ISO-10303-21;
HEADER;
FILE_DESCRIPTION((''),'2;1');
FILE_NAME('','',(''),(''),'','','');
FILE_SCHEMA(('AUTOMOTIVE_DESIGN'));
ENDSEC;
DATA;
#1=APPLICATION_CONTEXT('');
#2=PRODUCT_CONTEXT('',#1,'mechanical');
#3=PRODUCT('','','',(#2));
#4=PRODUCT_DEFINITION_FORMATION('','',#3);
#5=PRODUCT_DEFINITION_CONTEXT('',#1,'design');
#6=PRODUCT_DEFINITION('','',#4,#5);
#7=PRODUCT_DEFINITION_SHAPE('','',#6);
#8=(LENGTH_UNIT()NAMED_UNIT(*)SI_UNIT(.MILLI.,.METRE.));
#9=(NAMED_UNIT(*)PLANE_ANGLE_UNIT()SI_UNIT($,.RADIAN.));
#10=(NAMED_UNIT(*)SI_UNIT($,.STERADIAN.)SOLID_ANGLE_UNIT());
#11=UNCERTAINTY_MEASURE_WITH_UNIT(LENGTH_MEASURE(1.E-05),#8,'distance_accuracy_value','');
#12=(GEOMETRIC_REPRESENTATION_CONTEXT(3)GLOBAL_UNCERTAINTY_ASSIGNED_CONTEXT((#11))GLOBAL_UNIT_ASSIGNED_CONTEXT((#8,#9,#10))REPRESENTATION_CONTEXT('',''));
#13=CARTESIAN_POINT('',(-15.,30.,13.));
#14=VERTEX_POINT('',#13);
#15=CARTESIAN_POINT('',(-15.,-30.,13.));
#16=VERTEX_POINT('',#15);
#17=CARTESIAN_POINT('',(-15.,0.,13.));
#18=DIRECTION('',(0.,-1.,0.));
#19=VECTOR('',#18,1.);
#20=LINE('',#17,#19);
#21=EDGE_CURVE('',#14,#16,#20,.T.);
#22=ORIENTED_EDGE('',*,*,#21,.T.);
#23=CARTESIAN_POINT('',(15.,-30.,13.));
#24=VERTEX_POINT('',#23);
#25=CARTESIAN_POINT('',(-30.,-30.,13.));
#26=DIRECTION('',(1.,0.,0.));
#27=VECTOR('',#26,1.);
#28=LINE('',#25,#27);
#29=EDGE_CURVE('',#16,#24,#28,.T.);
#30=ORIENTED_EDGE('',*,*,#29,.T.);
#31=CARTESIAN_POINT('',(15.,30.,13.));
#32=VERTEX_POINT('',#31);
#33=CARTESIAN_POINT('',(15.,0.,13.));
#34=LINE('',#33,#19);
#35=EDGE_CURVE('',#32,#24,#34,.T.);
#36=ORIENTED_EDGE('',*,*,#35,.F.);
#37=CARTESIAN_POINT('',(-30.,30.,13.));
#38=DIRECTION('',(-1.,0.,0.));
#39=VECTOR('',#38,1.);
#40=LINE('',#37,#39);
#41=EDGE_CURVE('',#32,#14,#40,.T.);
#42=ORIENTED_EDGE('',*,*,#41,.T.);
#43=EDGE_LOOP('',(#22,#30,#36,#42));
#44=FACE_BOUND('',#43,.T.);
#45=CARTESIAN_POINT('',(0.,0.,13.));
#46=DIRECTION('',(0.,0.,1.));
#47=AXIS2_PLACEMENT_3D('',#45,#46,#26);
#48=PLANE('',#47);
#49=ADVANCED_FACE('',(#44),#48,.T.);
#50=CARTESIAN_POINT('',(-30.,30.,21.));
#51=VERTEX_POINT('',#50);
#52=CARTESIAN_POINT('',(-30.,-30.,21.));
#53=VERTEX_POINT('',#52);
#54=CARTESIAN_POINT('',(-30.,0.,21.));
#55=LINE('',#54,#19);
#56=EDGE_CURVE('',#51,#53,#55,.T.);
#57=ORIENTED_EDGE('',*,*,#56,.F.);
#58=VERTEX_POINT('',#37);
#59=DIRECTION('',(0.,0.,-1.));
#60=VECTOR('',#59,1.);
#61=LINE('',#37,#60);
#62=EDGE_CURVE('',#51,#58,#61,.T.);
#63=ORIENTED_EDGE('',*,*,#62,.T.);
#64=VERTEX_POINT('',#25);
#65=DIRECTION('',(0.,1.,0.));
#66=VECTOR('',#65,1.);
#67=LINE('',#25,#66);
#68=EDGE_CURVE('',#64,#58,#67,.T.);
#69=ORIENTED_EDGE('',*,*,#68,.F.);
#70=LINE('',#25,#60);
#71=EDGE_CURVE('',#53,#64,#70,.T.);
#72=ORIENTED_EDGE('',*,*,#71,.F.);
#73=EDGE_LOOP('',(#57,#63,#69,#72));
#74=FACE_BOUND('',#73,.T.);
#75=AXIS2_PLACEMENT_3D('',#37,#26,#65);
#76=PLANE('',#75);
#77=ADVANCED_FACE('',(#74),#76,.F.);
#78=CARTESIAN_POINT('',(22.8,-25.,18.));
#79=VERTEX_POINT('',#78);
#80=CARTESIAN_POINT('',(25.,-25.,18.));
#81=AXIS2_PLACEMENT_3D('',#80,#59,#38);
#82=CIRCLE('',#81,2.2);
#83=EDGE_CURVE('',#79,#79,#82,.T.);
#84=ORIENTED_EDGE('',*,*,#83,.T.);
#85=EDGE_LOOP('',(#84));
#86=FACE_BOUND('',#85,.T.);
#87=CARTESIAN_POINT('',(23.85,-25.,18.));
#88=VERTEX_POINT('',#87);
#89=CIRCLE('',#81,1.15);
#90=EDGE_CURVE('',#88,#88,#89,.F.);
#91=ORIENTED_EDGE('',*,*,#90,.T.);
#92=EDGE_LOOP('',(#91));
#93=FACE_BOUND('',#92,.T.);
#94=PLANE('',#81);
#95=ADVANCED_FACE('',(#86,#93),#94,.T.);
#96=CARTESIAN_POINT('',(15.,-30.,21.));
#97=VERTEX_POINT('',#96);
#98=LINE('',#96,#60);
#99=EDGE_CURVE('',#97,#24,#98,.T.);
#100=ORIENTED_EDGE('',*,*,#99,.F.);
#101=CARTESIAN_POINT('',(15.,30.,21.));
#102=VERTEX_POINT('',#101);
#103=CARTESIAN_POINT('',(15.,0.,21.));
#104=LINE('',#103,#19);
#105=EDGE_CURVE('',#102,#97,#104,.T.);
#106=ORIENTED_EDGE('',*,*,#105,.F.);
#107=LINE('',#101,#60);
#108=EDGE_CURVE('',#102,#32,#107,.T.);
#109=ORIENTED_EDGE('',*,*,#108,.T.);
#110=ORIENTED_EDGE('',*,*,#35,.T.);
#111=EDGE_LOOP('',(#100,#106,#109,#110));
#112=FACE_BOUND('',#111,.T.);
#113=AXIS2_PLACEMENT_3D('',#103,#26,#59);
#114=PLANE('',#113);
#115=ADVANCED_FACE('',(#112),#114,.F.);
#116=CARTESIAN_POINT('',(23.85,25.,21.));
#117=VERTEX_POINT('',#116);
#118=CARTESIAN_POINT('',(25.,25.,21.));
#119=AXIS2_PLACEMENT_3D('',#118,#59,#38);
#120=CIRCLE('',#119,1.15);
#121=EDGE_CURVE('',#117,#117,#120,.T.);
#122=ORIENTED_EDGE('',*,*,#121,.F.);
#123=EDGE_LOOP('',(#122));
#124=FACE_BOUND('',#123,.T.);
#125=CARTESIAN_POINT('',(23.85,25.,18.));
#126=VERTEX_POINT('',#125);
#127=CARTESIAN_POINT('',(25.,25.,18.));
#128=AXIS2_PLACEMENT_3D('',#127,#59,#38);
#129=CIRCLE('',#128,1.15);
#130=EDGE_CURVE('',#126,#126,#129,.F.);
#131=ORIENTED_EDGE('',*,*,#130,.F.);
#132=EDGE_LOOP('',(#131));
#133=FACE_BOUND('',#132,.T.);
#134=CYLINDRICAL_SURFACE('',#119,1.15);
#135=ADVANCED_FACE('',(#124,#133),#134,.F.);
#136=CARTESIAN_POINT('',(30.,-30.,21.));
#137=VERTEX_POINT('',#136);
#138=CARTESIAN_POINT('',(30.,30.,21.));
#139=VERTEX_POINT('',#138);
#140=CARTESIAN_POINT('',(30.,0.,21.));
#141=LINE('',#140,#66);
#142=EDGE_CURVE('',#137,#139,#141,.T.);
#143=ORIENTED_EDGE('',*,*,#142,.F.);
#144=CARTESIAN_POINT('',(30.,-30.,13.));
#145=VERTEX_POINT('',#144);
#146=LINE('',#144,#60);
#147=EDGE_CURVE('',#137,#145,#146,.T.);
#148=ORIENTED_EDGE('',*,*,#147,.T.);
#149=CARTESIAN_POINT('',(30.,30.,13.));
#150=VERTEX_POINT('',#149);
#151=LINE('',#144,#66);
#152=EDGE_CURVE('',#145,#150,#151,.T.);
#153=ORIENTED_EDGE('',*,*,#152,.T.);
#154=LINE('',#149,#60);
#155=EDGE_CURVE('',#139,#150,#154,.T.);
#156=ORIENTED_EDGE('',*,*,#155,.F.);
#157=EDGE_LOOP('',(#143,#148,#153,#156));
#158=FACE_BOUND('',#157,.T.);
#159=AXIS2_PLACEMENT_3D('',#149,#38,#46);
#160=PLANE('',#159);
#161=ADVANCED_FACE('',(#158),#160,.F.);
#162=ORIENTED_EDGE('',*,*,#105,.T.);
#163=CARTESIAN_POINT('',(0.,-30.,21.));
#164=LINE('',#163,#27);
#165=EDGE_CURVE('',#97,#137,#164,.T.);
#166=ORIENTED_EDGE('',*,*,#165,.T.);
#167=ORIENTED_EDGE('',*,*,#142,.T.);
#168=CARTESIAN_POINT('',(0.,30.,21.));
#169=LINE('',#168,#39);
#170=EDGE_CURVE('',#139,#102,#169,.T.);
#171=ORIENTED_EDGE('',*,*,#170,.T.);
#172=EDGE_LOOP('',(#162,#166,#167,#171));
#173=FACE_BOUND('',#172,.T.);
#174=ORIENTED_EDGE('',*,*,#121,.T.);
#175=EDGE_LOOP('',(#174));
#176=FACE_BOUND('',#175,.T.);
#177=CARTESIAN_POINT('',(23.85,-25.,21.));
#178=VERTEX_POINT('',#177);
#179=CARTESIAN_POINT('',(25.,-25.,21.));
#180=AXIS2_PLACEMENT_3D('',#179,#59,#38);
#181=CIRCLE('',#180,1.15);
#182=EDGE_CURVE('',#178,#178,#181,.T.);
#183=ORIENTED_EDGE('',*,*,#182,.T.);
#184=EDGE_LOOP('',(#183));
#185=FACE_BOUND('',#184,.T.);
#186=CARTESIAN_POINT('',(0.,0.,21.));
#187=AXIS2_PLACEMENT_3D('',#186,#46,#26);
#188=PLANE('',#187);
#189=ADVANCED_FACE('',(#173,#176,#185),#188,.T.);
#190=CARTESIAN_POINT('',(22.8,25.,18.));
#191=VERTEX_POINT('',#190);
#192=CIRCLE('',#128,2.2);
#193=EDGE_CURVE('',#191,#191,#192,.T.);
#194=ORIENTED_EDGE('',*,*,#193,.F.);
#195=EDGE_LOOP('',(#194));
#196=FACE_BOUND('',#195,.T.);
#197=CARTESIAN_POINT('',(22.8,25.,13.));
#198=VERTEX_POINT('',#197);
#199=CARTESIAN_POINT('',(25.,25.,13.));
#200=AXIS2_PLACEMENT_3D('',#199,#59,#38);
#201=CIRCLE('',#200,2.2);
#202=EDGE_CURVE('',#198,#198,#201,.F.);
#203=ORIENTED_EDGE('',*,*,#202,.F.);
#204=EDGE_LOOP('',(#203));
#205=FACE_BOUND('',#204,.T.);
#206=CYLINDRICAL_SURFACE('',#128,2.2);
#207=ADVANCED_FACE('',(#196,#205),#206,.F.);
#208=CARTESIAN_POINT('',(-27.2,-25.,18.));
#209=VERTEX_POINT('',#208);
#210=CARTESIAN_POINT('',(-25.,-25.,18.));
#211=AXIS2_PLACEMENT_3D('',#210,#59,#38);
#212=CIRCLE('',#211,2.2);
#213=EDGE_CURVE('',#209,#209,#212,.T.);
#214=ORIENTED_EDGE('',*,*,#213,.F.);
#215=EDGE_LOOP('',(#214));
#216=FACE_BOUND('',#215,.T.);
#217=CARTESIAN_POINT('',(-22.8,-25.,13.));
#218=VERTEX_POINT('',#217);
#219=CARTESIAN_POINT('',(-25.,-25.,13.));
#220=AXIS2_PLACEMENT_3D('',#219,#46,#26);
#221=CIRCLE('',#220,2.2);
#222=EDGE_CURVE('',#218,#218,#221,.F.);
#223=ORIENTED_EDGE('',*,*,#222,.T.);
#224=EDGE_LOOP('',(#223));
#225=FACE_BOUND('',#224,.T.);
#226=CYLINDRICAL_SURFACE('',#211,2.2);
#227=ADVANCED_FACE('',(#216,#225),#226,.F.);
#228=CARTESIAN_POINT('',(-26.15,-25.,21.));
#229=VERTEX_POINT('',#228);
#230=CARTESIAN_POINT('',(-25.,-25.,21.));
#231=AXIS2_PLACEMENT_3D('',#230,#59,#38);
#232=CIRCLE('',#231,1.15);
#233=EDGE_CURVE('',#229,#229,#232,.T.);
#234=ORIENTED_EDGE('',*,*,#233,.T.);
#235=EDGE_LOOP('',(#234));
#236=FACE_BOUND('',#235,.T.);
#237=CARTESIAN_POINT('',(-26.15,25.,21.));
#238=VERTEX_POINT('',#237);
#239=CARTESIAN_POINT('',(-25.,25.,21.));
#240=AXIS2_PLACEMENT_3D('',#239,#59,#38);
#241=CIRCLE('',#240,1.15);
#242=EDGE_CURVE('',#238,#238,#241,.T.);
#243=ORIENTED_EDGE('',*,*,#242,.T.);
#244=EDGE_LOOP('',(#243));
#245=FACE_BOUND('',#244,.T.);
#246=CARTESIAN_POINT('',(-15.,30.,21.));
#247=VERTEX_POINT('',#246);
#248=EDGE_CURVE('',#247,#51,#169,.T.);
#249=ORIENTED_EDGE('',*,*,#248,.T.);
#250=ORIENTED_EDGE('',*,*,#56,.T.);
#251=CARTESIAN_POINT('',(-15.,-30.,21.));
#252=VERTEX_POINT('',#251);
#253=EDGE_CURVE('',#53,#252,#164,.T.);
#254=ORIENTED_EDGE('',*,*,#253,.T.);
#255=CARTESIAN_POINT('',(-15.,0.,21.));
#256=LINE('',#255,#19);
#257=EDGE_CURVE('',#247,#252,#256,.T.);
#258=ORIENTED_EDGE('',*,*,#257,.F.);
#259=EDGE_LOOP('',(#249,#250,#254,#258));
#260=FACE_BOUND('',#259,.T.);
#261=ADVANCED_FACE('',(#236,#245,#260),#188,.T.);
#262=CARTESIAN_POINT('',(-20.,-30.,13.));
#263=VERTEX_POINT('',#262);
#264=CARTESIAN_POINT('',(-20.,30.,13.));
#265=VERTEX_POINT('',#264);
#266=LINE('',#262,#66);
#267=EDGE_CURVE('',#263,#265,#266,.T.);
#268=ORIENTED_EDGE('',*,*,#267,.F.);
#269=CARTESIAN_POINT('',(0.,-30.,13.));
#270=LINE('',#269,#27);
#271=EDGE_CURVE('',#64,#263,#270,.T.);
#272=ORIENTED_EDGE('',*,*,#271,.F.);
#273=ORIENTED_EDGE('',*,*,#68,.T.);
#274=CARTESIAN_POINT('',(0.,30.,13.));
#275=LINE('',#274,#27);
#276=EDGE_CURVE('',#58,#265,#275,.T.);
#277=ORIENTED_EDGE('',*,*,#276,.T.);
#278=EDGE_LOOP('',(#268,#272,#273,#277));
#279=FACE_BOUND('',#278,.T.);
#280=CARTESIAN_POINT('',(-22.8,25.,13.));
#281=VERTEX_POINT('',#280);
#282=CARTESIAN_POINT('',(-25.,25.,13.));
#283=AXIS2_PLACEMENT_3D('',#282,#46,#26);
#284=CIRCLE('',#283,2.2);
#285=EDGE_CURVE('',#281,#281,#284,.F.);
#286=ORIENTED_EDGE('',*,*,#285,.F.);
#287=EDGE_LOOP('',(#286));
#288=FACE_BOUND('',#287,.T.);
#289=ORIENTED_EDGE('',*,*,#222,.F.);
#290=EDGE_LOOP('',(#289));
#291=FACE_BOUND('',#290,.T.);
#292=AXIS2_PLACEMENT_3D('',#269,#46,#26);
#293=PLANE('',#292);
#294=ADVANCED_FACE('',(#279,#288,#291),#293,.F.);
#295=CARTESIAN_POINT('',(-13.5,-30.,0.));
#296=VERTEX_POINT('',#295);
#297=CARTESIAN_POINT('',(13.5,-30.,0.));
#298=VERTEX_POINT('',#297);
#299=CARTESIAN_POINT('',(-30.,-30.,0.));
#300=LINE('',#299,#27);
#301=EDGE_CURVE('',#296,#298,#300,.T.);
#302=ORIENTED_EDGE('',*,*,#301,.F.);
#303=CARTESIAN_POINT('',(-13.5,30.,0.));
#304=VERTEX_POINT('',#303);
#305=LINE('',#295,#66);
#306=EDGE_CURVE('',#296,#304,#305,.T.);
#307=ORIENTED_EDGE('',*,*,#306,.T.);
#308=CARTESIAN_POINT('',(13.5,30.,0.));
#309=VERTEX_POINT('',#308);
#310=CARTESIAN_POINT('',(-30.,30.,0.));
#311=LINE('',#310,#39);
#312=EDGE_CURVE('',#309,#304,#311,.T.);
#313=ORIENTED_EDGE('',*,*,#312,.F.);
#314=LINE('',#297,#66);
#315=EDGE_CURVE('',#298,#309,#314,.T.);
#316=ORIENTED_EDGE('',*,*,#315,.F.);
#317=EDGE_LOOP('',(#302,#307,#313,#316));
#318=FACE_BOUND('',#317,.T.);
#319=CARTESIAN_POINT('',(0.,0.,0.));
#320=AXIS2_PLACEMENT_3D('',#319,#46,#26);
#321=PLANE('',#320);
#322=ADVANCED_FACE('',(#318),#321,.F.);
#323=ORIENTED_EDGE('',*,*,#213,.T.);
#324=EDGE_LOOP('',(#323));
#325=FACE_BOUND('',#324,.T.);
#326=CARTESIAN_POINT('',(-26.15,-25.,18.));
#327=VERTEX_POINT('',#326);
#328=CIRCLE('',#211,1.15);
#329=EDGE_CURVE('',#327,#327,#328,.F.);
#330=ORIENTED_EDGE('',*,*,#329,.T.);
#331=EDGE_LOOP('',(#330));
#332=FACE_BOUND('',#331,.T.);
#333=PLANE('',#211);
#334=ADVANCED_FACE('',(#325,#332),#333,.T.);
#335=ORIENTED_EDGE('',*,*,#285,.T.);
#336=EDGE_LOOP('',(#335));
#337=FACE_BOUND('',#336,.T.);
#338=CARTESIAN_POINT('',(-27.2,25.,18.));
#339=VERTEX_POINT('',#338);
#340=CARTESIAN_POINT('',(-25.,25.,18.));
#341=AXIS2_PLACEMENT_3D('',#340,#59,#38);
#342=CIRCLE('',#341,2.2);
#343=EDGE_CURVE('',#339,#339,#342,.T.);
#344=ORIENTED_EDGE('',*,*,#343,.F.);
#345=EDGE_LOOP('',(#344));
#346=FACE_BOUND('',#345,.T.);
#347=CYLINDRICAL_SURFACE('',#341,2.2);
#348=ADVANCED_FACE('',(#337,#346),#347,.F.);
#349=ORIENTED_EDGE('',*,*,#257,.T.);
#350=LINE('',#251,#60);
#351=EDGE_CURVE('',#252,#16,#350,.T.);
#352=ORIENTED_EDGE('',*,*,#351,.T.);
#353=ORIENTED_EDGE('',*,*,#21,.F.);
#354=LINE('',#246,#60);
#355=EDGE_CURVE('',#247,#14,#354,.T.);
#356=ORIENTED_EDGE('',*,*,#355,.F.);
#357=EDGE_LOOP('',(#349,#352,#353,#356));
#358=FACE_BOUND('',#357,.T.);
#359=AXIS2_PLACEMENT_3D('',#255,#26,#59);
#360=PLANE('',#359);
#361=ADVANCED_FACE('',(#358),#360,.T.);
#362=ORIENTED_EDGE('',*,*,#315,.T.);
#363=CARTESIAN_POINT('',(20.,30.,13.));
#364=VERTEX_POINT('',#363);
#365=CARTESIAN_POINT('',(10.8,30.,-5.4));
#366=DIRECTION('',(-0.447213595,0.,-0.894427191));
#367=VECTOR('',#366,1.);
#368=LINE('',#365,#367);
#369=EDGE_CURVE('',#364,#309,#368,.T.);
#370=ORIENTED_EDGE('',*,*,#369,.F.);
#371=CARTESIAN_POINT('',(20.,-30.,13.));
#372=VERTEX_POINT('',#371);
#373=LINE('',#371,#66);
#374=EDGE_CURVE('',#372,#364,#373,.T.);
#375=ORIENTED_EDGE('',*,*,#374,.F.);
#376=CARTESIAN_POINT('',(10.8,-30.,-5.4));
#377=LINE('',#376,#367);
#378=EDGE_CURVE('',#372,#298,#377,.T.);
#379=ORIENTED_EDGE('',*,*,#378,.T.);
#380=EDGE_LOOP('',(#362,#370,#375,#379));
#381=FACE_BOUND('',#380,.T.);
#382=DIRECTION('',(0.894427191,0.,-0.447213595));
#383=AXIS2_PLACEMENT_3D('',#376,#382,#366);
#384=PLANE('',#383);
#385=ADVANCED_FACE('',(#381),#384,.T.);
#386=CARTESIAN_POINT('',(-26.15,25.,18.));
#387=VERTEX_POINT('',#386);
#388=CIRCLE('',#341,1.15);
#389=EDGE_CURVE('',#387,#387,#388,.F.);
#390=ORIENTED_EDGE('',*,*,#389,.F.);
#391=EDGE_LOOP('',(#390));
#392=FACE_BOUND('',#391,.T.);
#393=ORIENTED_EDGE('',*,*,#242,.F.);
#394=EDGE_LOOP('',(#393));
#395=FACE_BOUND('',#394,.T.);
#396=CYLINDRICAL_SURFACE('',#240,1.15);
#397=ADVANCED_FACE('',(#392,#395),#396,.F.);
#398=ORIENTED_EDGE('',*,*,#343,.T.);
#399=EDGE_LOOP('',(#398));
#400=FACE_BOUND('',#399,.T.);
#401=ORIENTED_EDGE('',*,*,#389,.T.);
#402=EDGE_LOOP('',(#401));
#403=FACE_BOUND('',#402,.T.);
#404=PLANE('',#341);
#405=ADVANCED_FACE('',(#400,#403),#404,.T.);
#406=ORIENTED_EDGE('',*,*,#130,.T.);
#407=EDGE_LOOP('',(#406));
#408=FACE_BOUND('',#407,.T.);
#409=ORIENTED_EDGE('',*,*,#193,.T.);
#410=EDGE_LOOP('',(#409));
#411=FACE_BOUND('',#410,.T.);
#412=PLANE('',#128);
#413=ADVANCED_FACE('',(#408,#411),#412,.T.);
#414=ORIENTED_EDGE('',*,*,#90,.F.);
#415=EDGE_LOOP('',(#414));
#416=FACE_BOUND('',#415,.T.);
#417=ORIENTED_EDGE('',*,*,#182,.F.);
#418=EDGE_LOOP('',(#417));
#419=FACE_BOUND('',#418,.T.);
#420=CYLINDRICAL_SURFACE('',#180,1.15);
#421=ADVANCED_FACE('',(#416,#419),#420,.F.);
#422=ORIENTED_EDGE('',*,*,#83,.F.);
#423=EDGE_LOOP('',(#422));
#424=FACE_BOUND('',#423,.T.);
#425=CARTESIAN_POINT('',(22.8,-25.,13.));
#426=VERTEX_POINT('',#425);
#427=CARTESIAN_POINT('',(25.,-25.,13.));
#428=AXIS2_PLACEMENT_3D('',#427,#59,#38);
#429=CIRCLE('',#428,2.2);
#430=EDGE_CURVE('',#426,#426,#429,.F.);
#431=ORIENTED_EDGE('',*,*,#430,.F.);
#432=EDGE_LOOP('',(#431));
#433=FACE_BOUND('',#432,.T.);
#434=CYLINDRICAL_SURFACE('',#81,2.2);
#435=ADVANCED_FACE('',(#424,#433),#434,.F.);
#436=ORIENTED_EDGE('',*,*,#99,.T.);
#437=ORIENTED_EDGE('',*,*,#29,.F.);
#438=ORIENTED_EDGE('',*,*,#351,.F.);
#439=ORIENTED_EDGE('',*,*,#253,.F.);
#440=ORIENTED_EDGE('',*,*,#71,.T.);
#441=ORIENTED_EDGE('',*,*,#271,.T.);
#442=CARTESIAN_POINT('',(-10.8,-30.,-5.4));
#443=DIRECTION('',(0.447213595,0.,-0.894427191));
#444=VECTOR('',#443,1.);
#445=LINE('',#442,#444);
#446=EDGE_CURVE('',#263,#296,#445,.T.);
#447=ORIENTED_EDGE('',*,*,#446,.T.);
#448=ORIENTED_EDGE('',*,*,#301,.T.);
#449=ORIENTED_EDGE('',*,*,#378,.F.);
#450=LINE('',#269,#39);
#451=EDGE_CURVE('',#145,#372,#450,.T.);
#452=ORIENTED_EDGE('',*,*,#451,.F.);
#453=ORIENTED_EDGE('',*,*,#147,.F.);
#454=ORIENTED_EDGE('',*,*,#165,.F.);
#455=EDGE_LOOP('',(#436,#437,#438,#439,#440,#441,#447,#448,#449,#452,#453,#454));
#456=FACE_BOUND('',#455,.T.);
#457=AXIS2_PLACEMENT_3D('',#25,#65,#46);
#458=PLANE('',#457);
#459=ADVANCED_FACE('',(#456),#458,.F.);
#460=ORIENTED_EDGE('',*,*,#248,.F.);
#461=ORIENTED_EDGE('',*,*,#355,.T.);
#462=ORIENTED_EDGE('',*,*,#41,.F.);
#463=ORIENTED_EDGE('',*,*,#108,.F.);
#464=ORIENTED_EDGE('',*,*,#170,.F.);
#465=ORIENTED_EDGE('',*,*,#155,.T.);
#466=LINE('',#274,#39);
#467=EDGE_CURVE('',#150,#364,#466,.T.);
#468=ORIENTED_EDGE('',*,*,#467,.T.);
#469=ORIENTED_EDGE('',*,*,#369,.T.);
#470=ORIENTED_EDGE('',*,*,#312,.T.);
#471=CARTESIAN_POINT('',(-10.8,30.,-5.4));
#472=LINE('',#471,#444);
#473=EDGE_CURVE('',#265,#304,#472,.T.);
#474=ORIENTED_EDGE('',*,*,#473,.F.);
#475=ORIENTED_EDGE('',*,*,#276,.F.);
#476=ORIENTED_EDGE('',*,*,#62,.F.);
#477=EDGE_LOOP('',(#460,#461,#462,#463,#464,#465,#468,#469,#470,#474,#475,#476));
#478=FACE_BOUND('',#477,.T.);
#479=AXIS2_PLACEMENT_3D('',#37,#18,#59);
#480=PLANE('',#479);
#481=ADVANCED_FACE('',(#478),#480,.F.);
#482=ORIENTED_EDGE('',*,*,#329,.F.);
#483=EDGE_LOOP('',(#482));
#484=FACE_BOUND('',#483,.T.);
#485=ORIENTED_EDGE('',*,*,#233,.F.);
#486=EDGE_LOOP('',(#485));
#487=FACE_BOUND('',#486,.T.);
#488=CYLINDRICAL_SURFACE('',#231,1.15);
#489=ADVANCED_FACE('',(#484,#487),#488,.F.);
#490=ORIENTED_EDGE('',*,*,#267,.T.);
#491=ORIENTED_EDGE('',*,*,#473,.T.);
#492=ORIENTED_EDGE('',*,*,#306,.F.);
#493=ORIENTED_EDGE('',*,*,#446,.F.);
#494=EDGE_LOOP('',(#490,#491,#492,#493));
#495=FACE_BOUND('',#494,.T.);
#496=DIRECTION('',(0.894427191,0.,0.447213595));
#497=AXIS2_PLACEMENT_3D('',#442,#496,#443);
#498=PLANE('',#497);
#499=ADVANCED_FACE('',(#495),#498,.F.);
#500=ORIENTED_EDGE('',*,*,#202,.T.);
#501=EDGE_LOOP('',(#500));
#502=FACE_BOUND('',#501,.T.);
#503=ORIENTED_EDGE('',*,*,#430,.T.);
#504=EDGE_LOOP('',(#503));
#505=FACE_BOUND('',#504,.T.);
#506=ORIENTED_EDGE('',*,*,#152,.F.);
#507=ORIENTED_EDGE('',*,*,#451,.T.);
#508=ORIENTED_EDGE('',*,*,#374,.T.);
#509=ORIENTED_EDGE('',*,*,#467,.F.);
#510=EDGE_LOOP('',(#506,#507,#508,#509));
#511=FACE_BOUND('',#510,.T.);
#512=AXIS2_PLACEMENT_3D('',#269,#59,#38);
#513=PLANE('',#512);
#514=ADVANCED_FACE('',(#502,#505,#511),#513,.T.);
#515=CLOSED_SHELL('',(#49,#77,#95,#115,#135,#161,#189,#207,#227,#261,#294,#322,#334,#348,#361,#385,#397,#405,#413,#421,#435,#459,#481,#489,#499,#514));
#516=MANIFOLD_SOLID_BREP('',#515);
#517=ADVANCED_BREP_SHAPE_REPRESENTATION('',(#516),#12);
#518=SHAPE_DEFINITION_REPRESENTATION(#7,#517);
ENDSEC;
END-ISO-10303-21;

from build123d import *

# Parameters (mm, degrees)
SKETCH1_W           = 60
SKETCH1_H           = 60
BOSS_EXTRUDE1_DEPTH = 13
SKETCH2_W           = 15
SKETCH2_H           = 60
BOSS_EXTRUDE2_DEPTH = 8
SKETCH3_R           = 1.15
CUT_EXTRUDE1_DEPTH  = 48.339201514
SKETCH4_R           = 2.2
CUT_EXTRUDE2_DEPTH  = 18
CUT_EXTRUDE4_DEPTH  = 71.292247083


with BuildPart() as part:
    # Sketch1 → Boss-Extrude1 (new body)
    with BuildSketch(Plane.XY):
        Rectangle(SKETCH1_W, SKETCH1_H)
    extrude(amount=BOSS_EXTRUDE1_DEPTH)

    # Sketch2 → Boss-Extrude2 (add)
    with BuildSketch(Plane.XY.offset(13)):
        with Locations((-22.5, 0)):
            Rectangle(SKETCH2_W, SKETCH2_H)
        with Locations((22.5, 0)):
            Rectangle(SKETCH2_W, SKETCH2_H)
    extrude(amount=BOSS_EXTRUDE2_DEPTH)

    # Sketch3 → Cut-Extrude1 (cut, through all)
    with BuildSketch(Plane(origin=(0, 0, 0), x_dir=(-1, 0, 0), z_dir=(0, 0, -1))):
        with Locations((25, 25)):
            Circle(SKETCH3_R)
        with Locations((25, -25)):
            Circle(SKETCH3_R)
        with Locations((-25, -25)):
            Circle(SKETCH3_R)
        with BuildLine():
            ThreePointArc((-25.813172798, 25.813172798), (-25.813172798, 24.186827202), (-24.186827202, 24.186827202))
            Line((-24.186827202, 24.186827202), (-25.813172798, 25.813172798))
        make_face()
        with BuildLine():
            Line((-25.813172798, 25.813172798), (-24.186827202, 24.186827202))
            ThreePointArc((-24.186827202, 24.186827202), (-23.937538538, 24.559914053), (-23.85, 25))
            ThreePointArc((-23.85, 25), (-24.559914053, 26.062461462), (-25.813172798, 25.813172798))
        make_face()
    extrude(amount=-CUT_EXTRUDE1_DEPTH, mode=Mode.SUBTRACT)

    # Sketch4 → Cut-Extrude2 (cut)
    with BuildSketch(Plane(origin=(0, 0, 0), x_dir=(-1, 0, 0), z_dir=(0, 0, -1))):
        with Locations((-25, 25)):
            Circle(SKETCH4_R)
        with Locations((25, 25)):
            Circle(SKETCH4_R)
        with Locations((25, -25)):
            Circle(SKETCH4_R)
        with Locations((-25, -25)):
            Circle(SKETCH4_R)
    extrude(amount=-CUT_EXTRUDE2_DEPTH, mode=Mode.SUBTRACT)

    # Sketch6 → Cut-Extrude4 (cut, through all)
    with BuildSketch(Plane(origin=(0, 30, 0), x_dir=(1, 0, 0), z_dir=(0, 1, 0))):
        Polygon((-30, 0), (-30, -13), (-20, -13), (-13.5, 0), align=None)
        Polygon((30, 0), (13.5, 0), (20, -13), (30, -13), align=None)
    extrude(amount=-CUT_EXTRUDE4_DEPTH, mode=Mode.SUBTRACT)


solid = part.part
